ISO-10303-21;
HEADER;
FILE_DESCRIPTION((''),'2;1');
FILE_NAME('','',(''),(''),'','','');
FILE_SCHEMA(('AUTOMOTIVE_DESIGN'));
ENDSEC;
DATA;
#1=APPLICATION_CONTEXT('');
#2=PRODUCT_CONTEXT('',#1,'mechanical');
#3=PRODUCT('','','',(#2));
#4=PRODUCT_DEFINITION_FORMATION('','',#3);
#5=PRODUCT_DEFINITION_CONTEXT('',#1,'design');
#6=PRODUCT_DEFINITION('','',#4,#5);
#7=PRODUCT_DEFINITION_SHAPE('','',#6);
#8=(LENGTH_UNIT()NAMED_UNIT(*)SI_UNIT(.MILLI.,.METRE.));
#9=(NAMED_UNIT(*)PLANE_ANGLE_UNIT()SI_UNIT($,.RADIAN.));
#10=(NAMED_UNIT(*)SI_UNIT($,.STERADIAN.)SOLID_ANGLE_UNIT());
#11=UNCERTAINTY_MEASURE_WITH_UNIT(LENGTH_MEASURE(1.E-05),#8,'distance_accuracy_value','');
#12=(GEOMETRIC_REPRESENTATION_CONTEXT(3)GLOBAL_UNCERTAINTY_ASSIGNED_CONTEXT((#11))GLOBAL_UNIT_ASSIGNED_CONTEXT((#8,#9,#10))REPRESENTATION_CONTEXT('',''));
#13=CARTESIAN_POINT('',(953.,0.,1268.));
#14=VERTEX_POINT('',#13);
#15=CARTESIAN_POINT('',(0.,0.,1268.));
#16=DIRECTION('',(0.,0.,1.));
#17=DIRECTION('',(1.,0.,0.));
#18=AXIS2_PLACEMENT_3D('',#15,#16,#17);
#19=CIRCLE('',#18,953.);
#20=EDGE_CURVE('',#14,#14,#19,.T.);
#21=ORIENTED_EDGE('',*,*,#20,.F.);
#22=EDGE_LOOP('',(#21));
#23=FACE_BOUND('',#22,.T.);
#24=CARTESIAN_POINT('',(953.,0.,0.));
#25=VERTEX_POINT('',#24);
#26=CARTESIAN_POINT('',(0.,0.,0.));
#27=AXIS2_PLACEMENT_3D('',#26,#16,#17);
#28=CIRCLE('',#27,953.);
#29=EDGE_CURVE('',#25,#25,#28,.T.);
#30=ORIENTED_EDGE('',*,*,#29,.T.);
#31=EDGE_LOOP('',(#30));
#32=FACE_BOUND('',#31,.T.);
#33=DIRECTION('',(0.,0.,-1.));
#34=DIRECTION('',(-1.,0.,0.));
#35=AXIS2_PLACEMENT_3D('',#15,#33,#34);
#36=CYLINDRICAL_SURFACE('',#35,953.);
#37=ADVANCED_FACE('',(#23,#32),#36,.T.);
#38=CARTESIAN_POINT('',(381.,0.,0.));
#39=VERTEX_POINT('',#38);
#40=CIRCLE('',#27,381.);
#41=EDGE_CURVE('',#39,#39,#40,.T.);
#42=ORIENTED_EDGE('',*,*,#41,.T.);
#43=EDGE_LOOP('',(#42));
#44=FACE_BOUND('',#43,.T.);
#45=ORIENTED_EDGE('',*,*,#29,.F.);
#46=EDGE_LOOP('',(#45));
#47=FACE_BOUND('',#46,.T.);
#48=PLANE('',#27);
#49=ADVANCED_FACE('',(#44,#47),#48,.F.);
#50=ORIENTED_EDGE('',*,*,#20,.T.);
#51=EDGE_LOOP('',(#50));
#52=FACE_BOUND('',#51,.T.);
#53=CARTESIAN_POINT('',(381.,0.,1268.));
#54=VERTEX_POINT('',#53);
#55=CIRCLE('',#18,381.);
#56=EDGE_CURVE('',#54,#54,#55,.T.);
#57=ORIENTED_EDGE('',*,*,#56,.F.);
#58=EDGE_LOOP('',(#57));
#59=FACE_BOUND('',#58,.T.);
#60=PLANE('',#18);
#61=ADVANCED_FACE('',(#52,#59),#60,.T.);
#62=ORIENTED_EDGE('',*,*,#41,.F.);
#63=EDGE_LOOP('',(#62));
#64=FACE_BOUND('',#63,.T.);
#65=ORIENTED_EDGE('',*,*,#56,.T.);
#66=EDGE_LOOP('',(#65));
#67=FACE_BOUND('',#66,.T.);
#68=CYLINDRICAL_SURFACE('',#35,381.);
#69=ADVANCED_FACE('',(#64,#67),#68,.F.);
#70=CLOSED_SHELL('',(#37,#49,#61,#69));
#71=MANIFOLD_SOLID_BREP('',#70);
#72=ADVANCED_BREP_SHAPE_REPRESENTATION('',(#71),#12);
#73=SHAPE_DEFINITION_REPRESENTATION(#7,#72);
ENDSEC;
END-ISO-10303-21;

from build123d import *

# Parameters (mm, degrees)
SZKIC2_R                    = 953
SZKIC2_R_2                  = 381
DODANIE_WYCI_GNI_CIE1_DEPTH = 1268


with BuildPart() as part:
    # Szkic2 → Dodanie-wyciągnięcie1 (new body)
    with BuildSketch(Plane.XY):
        Circle(SZKIC2_R)
        Circle(SZKIC2_R_2, mode=Mode.SUBTRACT)
    extrude(amount=DODANIE_WYCI_GNI_CIE1_DEPTH)


solid = part.part
